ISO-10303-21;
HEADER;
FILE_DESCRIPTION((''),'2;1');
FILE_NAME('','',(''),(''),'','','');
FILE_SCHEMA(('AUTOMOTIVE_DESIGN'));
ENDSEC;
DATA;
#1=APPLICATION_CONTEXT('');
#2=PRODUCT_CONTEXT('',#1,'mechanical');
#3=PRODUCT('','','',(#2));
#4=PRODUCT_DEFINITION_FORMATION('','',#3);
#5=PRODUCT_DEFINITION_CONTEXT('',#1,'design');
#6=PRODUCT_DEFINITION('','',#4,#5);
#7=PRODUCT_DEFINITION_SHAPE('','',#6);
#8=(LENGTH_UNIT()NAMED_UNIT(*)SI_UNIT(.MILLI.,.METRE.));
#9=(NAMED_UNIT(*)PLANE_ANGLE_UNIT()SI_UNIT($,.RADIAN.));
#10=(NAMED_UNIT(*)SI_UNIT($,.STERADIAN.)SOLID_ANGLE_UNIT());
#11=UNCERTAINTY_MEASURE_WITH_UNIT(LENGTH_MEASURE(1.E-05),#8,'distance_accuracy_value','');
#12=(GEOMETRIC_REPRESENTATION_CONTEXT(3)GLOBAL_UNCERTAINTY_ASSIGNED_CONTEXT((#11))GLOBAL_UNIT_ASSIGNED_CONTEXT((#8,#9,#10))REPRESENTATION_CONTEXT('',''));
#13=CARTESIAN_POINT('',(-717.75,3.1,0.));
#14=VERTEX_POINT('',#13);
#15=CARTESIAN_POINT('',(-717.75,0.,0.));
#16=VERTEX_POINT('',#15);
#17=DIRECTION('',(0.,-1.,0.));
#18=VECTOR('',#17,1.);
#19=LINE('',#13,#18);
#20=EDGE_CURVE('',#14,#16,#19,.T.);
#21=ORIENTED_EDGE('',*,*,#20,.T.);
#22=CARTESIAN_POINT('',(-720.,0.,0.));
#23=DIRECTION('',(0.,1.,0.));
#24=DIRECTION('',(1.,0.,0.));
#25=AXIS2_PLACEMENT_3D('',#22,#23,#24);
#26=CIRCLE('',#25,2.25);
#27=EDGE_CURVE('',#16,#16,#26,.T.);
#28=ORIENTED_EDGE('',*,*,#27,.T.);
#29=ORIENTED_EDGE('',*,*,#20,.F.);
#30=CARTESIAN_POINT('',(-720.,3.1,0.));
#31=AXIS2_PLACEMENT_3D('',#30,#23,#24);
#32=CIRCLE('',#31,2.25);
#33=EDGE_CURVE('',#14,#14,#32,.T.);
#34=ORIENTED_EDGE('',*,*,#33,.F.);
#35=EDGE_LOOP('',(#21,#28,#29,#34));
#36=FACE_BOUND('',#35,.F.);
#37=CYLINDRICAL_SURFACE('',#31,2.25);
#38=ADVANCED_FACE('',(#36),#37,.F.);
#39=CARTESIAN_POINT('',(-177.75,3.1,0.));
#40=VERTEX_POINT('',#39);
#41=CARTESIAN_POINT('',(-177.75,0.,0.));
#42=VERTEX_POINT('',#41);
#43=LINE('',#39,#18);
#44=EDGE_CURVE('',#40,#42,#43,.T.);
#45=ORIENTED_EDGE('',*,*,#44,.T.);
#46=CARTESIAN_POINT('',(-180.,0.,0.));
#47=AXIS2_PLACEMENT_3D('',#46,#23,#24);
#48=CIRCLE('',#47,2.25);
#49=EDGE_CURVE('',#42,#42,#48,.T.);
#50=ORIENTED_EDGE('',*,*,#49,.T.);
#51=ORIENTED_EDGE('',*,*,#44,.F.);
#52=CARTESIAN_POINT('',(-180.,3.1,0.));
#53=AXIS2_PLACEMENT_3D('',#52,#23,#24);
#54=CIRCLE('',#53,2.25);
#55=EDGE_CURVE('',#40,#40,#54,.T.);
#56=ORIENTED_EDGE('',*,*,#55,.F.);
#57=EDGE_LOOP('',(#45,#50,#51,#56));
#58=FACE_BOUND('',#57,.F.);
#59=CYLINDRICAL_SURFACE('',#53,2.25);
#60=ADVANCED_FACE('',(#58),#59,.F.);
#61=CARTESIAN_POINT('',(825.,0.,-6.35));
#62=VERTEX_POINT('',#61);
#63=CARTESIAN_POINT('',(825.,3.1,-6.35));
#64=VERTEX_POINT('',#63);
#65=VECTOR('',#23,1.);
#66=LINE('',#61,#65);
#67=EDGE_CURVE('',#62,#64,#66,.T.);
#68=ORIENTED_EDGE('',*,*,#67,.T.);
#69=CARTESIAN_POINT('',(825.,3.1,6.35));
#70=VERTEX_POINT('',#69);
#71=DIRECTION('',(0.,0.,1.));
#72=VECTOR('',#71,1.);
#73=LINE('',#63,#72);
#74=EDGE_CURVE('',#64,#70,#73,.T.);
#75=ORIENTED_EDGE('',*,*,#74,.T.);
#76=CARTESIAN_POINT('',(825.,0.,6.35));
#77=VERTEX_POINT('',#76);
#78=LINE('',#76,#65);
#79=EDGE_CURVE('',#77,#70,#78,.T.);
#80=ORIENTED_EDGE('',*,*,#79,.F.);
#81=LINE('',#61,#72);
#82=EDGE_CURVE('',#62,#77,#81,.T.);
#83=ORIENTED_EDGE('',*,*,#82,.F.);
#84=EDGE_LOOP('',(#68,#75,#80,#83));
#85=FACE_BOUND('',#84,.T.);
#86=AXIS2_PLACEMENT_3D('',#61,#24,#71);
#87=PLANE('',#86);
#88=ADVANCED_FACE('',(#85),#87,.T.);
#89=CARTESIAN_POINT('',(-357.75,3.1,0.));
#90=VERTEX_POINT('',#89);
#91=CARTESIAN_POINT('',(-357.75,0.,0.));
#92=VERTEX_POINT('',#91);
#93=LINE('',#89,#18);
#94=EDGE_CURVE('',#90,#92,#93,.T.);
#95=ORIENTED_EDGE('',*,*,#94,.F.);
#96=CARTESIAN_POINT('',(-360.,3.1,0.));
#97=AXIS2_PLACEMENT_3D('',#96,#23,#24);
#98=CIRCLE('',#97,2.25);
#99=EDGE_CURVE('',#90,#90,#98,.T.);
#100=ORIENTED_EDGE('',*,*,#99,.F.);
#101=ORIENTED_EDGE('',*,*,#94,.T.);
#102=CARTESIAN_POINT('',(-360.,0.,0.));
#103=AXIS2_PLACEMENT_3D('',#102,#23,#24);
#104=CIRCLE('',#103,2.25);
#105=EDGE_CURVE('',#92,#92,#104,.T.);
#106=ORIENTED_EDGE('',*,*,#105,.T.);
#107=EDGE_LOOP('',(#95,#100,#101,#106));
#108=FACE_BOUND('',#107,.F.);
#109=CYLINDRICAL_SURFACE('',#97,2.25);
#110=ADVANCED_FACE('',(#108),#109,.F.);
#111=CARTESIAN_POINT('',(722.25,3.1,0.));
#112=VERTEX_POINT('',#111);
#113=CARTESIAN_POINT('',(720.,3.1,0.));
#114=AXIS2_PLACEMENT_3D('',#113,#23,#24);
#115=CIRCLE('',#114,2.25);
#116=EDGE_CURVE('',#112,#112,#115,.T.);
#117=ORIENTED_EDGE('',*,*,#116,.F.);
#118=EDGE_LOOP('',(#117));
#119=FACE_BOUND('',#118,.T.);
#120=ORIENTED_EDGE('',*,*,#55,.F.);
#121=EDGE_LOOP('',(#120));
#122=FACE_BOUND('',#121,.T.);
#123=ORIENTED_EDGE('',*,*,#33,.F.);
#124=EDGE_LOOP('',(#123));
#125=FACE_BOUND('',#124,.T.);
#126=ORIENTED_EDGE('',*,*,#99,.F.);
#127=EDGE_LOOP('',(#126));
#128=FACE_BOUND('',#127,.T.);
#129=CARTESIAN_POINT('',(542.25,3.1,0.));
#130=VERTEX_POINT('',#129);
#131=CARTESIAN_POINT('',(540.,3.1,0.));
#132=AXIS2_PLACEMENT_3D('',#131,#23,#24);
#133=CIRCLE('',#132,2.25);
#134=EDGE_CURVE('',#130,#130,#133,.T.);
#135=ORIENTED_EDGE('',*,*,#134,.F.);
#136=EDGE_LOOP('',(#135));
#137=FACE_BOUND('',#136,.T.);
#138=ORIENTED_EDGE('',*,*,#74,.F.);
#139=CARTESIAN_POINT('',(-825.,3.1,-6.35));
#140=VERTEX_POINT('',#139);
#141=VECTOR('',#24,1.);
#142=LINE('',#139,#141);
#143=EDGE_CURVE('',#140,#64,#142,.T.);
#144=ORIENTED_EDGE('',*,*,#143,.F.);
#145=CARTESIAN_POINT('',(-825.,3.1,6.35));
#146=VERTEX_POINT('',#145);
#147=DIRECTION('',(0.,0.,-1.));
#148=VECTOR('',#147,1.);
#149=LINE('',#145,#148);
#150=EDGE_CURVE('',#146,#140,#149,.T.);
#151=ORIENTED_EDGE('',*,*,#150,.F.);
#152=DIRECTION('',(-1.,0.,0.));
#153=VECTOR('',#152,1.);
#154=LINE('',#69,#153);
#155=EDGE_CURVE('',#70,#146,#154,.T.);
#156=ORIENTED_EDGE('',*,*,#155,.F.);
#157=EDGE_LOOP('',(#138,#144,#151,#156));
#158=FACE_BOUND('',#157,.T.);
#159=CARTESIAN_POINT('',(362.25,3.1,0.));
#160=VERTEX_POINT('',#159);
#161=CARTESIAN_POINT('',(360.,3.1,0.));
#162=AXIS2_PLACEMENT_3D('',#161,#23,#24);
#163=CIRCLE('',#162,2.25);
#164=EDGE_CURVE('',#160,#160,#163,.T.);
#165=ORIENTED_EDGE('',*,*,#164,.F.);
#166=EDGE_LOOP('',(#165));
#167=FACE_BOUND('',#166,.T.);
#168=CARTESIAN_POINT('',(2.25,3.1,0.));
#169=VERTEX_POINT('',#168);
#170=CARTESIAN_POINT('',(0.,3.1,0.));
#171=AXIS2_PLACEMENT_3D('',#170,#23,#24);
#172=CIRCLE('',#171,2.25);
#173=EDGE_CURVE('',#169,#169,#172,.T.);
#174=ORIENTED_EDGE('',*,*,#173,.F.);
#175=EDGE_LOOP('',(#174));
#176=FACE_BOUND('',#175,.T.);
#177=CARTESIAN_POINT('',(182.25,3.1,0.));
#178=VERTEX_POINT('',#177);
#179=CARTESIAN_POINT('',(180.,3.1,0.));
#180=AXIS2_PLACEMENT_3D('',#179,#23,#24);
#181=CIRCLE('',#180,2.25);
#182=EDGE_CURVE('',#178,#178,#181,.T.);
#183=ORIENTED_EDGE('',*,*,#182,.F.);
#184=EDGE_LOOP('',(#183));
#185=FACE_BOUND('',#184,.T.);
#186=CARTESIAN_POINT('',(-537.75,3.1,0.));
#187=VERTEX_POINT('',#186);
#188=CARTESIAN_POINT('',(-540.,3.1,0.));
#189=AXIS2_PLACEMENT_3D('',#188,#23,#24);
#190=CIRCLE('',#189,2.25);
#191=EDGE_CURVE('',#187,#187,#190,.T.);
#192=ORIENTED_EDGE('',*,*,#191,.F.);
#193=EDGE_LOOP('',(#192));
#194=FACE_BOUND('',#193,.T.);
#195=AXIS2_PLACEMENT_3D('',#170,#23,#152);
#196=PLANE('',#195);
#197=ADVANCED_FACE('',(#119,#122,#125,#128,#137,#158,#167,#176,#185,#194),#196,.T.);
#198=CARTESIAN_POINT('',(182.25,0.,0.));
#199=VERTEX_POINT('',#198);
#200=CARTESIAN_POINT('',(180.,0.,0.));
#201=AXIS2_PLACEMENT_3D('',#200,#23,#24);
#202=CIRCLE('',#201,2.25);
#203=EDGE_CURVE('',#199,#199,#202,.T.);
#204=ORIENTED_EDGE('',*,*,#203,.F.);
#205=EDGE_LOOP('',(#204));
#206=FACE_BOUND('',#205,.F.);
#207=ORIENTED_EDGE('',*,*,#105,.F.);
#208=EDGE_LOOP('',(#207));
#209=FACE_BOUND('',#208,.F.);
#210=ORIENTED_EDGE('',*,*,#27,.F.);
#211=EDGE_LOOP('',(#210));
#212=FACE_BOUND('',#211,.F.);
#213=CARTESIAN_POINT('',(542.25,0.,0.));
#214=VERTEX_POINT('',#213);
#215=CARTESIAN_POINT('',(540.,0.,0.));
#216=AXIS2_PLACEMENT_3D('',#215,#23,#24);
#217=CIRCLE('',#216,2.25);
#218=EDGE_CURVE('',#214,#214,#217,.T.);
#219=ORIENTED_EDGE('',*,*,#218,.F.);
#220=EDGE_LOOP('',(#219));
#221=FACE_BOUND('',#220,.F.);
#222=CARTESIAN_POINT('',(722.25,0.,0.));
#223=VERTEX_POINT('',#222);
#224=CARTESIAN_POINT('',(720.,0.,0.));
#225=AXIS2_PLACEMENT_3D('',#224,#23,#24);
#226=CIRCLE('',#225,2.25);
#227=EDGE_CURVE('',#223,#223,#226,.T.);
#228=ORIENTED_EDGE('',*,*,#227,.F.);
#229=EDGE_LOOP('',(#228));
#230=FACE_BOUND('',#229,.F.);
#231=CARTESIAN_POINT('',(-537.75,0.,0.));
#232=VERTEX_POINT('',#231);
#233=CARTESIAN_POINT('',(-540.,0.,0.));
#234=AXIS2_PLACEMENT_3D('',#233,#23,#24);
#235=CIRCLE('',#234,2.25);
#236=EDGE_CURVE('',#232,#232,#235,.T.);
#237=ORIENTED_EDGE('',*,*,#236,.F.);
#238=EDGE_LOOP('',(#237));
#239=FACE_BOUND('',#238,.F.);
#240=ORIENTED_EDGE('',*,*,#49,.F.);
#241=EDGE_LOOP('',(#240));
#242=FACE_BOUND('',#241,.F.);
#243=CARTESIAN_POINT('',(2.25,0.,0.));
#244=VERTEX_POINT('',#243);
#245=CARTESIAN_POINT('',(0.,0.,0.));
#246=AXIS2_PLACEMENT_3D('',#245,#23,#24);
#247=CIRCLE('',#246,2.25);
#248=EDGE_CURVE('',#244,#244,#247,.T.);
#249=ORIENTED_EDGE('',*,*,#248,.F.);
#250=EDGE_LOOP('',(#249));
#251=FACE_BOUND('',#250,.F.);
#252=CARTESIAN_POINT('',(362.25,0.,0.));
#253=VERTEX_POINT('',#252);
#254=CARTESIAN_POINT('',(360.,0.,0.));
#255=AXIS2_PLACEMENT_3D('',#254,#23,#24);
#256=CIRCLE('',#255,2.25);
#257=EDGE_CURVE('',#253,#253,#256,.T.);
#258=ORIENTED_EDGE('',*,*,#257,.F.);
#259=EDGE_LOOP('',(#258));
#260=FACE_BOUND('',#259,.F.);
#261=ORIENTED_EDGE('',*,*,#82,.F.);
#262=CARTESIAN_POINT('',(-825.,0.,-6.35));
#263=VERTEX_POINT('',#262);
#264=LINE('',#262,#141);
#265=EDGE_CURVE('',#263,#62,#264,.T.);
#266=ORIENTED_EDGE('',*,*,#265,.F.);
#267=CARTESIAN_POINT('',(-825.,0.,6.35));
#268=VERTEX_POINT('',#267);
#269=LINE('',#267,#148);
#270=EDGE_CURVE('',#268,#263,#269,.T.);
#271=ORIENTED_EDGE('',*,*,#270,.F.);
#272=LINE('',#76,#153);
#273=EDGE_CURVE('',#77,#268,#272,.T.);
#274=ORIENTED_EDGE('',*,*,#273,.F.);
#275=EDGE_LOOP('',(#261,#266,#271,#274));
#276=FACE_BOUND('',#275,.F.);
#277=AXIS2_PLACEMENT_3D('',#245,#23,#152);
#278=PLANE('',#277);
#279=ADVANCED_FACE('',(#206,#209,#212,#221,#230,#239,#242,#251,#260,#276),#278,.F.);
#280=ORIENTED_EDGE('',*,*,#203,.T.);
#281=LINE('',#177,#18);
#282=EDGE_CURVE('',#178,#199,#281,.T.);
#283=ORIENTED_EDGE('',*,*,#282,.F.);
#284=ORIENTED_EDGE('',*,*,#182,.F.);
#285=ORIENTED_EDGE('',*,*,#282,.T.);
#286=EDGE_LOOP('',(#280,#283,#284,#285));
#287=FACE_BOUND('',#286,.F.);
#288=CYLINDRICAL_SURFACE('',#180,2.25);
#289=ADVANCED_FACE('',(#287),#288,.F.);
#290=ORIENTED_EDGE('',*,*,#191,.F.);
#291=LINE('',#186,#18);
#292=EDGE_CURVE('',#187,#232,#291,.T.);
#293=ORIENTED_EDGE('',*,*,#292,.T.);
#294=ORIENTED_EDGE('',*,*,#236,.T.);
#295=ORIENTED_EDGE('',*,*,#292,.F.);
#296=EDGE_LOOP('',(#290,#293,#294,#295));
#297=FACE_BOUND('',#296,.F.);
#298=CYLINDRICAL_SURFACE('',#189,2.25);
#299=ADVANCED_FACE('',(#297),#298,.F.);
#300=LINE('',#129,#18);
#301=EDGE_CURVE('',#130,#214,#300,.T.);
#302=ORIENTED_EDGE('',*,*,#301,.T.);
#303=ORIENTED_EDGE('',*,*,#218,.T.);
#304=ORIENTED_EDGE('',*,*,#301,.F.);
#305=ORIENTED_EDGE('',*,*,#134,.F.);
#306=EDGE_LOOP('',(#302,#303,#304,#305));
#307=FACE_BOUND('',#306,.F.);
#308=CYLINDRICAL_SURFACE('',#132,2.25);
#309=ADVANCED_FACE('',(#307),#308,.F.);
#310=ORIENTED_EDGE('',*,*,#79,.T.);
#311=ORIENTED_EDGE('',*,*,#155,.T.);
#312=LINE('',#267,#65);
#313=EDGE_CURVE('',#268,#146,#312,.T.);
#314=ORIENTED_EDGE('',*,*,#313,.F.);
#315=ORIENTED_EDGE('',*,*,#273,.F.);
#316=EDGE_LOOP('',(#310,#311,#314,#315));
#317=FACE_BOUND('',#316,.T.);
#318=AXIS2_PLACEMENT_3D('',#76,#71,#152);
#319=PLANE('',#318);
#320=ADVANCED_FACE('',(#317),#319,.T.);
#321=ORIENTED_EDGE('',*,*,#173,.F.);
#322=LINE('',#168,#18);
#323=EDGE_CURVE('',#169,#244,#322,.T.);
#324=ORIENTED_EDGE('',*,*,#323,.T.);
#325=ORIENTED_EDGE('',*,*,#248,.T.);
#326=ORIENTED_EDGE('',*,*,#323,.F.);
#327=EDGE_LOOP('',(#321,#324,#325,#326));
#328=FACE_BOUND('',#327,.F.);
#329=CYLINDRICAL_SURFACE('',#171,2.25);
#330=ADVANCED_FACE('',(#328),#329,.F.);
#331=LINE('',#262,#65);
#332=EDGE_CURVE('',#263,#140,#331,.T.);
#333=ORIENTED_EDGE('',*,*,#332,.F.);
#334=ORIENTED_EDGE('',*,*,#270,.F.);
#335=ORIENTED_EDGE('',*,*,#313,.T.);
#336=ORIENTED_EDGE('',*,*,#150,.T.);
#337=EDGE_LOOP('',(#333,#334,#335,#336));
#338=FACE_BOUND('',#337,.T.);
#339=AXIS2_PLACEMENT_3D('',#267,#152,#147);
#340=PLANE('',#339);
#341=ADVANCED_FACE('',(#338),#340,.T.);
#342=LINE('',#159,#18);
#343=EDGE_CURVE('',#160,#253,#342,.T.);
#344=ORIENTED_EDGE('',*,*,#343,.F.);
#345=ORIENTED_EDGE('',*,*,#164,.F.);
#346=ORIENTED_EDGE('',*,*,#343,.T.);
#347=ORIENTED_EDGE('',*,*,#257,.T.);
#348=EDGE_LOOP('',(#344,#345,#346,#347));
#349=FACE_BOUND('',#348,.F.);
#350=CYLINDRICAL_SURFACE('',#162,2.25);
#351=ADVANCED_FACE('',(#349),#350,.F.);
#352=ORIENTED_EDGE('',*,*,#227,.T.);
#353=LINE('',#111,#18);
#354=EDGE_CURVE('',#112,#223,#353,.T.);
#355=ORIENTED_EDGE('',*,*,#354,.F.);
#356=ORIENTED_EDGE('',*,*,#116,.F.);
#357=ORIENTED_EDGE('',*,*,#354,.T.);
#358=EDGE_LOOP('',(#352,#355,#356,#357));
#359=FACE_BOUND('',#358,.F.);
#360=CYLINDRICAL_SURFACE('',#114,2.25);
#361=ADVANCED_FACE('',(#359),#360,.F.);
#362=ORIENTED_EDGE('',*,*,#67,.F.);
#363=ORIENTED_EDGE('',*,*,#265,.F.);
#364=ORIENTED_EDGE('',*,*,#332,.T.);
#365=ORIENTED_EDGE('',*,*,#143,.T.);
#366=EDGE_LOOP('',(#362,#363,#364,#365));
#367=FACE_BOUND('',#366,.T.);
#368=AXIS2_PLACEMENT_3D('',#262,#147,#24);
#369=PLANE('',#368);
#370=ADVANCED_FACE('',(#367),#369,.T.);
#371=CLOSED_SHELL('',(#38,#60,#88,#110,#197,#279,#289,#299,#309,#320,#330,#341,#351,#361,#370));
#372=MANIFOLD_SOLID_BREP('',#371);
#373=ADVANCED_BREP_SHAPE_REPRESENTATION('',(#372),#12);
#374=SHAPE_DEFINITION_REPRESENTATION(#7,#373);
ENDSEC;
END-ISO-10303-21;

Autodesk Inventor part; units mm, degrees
ref_plane "YZ Plane" through (0, 0, 0) normal (1, 0, 0) x (0, 1, 0)
ref_plane "XZ Plane" through (0, 0, 0) normal (0, 1, 0) x (-1, 0, 0)
ref_plane "XY Plane" through (0, 0, 0) normal (0, 0, 1) x (1, 0, 0)
sketch "Sketch1" plane through (0, 0, 0) normal (0, 1, 0) x (-1, 0, 0)
  line L0 (-825, 6.35) -> (825, 6.35)
  line L1 (825, 6.35) -> (825, -6.35)
  line L2 (825, -6.35) -> (-825, -6.35)
  line L3 (-825, -6.35) -> (-825, 6.35)
  line L4 (-825, 6.35) -> (825, -6.35) construction
  line L5 (825, 6.35) -> (-825, -6.35) construction
  point P0 (0, 0)
  dimension "d0" = 1650
  dimension "d1" = 12.7
extrude "Extrusion1" add sketch "Sketch1" along normal blind 3.1
sketch "Sketch2" plane through (0, 3.1, 0) normal (0, 1, 0) x (1, 0, 0)
  circle A0 centre (0, 0) radius 2.25
  dimension "d4" = 4.5
extrude "Extrusion2" cut sketch "Sketch2" against normal blind 3.1
sketch "Sketch4" plane through (0, 3.1, 0) normal (0, 1, 0) x (1, 0, 0)
  line L0 (-825, -6.35) -> (825, -6.35) projected
  line L1 (825, 6.35) -> (-825, 6.35) projected
  line L2 (-825, -6.35) -> (825, -6.35)
  line L3 (825, -6.35) -> (825, 6.35)
  line L4 (825, 6.35) -> (-825, 6.35)
  line L5 (-825, 6.35) -> (-825, -6.35)
  circle A0 centre (0, 0) radius 2.25
  circle A1 centre (180, 0) radius 2.25
  circle A2 centre (360, 0) radius 2.25
  circle A3 centre (540, 0) radius 2.25
  circle A4 centre (720, 0) radius 2.25
  circle A5 centre (-180, 0) radius 2.25
  circle A6 centre (0, 0) radius 2.25
  circle A7 centre (180, 0) radius 2.25
  circle A8 centre (360, 0) radius 2.25
  circle A9 centre (540, 0) radius 2.25
  circle A10 centre (-360, 0) radius 2.25
  circle A11 centre (-180, 0) radius 2.25
  circle A12 centre (0, 0) radius 2.25
  circle A13 centre (180, 0) radius 2.25
  circle A14 centre (360, 0) radius 2.25
  circle A15 centre (-540, 0) radius 2.25
  circle A16 centre (-360, 0) radius 2.25
  circle A17 centre (-180, 0) radius 2.25
  circle A18 centre (0, 0) radius 2.25
  circle A19 centre (180, 0) radius 2.25
  circle A20 centre (-720, 0) radius 2.25
  circle A21 centre (-540, 0) radius 2.25
  circle A22 centre (-360, 0) radius 2.25
  circle A23 centre (-180, 0) radius 2.25
  circle A24 centre (0, 0) radius 2.25
  dimension "d9" = 180
  dimension "d12" = 180
extrude "Extrusion3" cut sketch "Sketch4" against normal blind 180 contours A0 | A1 | A2 | A3 | A4 | A5 | A10 | A15 | A20
equation "\"d15\" = d9"
properties part number "seguroAcrilico"
